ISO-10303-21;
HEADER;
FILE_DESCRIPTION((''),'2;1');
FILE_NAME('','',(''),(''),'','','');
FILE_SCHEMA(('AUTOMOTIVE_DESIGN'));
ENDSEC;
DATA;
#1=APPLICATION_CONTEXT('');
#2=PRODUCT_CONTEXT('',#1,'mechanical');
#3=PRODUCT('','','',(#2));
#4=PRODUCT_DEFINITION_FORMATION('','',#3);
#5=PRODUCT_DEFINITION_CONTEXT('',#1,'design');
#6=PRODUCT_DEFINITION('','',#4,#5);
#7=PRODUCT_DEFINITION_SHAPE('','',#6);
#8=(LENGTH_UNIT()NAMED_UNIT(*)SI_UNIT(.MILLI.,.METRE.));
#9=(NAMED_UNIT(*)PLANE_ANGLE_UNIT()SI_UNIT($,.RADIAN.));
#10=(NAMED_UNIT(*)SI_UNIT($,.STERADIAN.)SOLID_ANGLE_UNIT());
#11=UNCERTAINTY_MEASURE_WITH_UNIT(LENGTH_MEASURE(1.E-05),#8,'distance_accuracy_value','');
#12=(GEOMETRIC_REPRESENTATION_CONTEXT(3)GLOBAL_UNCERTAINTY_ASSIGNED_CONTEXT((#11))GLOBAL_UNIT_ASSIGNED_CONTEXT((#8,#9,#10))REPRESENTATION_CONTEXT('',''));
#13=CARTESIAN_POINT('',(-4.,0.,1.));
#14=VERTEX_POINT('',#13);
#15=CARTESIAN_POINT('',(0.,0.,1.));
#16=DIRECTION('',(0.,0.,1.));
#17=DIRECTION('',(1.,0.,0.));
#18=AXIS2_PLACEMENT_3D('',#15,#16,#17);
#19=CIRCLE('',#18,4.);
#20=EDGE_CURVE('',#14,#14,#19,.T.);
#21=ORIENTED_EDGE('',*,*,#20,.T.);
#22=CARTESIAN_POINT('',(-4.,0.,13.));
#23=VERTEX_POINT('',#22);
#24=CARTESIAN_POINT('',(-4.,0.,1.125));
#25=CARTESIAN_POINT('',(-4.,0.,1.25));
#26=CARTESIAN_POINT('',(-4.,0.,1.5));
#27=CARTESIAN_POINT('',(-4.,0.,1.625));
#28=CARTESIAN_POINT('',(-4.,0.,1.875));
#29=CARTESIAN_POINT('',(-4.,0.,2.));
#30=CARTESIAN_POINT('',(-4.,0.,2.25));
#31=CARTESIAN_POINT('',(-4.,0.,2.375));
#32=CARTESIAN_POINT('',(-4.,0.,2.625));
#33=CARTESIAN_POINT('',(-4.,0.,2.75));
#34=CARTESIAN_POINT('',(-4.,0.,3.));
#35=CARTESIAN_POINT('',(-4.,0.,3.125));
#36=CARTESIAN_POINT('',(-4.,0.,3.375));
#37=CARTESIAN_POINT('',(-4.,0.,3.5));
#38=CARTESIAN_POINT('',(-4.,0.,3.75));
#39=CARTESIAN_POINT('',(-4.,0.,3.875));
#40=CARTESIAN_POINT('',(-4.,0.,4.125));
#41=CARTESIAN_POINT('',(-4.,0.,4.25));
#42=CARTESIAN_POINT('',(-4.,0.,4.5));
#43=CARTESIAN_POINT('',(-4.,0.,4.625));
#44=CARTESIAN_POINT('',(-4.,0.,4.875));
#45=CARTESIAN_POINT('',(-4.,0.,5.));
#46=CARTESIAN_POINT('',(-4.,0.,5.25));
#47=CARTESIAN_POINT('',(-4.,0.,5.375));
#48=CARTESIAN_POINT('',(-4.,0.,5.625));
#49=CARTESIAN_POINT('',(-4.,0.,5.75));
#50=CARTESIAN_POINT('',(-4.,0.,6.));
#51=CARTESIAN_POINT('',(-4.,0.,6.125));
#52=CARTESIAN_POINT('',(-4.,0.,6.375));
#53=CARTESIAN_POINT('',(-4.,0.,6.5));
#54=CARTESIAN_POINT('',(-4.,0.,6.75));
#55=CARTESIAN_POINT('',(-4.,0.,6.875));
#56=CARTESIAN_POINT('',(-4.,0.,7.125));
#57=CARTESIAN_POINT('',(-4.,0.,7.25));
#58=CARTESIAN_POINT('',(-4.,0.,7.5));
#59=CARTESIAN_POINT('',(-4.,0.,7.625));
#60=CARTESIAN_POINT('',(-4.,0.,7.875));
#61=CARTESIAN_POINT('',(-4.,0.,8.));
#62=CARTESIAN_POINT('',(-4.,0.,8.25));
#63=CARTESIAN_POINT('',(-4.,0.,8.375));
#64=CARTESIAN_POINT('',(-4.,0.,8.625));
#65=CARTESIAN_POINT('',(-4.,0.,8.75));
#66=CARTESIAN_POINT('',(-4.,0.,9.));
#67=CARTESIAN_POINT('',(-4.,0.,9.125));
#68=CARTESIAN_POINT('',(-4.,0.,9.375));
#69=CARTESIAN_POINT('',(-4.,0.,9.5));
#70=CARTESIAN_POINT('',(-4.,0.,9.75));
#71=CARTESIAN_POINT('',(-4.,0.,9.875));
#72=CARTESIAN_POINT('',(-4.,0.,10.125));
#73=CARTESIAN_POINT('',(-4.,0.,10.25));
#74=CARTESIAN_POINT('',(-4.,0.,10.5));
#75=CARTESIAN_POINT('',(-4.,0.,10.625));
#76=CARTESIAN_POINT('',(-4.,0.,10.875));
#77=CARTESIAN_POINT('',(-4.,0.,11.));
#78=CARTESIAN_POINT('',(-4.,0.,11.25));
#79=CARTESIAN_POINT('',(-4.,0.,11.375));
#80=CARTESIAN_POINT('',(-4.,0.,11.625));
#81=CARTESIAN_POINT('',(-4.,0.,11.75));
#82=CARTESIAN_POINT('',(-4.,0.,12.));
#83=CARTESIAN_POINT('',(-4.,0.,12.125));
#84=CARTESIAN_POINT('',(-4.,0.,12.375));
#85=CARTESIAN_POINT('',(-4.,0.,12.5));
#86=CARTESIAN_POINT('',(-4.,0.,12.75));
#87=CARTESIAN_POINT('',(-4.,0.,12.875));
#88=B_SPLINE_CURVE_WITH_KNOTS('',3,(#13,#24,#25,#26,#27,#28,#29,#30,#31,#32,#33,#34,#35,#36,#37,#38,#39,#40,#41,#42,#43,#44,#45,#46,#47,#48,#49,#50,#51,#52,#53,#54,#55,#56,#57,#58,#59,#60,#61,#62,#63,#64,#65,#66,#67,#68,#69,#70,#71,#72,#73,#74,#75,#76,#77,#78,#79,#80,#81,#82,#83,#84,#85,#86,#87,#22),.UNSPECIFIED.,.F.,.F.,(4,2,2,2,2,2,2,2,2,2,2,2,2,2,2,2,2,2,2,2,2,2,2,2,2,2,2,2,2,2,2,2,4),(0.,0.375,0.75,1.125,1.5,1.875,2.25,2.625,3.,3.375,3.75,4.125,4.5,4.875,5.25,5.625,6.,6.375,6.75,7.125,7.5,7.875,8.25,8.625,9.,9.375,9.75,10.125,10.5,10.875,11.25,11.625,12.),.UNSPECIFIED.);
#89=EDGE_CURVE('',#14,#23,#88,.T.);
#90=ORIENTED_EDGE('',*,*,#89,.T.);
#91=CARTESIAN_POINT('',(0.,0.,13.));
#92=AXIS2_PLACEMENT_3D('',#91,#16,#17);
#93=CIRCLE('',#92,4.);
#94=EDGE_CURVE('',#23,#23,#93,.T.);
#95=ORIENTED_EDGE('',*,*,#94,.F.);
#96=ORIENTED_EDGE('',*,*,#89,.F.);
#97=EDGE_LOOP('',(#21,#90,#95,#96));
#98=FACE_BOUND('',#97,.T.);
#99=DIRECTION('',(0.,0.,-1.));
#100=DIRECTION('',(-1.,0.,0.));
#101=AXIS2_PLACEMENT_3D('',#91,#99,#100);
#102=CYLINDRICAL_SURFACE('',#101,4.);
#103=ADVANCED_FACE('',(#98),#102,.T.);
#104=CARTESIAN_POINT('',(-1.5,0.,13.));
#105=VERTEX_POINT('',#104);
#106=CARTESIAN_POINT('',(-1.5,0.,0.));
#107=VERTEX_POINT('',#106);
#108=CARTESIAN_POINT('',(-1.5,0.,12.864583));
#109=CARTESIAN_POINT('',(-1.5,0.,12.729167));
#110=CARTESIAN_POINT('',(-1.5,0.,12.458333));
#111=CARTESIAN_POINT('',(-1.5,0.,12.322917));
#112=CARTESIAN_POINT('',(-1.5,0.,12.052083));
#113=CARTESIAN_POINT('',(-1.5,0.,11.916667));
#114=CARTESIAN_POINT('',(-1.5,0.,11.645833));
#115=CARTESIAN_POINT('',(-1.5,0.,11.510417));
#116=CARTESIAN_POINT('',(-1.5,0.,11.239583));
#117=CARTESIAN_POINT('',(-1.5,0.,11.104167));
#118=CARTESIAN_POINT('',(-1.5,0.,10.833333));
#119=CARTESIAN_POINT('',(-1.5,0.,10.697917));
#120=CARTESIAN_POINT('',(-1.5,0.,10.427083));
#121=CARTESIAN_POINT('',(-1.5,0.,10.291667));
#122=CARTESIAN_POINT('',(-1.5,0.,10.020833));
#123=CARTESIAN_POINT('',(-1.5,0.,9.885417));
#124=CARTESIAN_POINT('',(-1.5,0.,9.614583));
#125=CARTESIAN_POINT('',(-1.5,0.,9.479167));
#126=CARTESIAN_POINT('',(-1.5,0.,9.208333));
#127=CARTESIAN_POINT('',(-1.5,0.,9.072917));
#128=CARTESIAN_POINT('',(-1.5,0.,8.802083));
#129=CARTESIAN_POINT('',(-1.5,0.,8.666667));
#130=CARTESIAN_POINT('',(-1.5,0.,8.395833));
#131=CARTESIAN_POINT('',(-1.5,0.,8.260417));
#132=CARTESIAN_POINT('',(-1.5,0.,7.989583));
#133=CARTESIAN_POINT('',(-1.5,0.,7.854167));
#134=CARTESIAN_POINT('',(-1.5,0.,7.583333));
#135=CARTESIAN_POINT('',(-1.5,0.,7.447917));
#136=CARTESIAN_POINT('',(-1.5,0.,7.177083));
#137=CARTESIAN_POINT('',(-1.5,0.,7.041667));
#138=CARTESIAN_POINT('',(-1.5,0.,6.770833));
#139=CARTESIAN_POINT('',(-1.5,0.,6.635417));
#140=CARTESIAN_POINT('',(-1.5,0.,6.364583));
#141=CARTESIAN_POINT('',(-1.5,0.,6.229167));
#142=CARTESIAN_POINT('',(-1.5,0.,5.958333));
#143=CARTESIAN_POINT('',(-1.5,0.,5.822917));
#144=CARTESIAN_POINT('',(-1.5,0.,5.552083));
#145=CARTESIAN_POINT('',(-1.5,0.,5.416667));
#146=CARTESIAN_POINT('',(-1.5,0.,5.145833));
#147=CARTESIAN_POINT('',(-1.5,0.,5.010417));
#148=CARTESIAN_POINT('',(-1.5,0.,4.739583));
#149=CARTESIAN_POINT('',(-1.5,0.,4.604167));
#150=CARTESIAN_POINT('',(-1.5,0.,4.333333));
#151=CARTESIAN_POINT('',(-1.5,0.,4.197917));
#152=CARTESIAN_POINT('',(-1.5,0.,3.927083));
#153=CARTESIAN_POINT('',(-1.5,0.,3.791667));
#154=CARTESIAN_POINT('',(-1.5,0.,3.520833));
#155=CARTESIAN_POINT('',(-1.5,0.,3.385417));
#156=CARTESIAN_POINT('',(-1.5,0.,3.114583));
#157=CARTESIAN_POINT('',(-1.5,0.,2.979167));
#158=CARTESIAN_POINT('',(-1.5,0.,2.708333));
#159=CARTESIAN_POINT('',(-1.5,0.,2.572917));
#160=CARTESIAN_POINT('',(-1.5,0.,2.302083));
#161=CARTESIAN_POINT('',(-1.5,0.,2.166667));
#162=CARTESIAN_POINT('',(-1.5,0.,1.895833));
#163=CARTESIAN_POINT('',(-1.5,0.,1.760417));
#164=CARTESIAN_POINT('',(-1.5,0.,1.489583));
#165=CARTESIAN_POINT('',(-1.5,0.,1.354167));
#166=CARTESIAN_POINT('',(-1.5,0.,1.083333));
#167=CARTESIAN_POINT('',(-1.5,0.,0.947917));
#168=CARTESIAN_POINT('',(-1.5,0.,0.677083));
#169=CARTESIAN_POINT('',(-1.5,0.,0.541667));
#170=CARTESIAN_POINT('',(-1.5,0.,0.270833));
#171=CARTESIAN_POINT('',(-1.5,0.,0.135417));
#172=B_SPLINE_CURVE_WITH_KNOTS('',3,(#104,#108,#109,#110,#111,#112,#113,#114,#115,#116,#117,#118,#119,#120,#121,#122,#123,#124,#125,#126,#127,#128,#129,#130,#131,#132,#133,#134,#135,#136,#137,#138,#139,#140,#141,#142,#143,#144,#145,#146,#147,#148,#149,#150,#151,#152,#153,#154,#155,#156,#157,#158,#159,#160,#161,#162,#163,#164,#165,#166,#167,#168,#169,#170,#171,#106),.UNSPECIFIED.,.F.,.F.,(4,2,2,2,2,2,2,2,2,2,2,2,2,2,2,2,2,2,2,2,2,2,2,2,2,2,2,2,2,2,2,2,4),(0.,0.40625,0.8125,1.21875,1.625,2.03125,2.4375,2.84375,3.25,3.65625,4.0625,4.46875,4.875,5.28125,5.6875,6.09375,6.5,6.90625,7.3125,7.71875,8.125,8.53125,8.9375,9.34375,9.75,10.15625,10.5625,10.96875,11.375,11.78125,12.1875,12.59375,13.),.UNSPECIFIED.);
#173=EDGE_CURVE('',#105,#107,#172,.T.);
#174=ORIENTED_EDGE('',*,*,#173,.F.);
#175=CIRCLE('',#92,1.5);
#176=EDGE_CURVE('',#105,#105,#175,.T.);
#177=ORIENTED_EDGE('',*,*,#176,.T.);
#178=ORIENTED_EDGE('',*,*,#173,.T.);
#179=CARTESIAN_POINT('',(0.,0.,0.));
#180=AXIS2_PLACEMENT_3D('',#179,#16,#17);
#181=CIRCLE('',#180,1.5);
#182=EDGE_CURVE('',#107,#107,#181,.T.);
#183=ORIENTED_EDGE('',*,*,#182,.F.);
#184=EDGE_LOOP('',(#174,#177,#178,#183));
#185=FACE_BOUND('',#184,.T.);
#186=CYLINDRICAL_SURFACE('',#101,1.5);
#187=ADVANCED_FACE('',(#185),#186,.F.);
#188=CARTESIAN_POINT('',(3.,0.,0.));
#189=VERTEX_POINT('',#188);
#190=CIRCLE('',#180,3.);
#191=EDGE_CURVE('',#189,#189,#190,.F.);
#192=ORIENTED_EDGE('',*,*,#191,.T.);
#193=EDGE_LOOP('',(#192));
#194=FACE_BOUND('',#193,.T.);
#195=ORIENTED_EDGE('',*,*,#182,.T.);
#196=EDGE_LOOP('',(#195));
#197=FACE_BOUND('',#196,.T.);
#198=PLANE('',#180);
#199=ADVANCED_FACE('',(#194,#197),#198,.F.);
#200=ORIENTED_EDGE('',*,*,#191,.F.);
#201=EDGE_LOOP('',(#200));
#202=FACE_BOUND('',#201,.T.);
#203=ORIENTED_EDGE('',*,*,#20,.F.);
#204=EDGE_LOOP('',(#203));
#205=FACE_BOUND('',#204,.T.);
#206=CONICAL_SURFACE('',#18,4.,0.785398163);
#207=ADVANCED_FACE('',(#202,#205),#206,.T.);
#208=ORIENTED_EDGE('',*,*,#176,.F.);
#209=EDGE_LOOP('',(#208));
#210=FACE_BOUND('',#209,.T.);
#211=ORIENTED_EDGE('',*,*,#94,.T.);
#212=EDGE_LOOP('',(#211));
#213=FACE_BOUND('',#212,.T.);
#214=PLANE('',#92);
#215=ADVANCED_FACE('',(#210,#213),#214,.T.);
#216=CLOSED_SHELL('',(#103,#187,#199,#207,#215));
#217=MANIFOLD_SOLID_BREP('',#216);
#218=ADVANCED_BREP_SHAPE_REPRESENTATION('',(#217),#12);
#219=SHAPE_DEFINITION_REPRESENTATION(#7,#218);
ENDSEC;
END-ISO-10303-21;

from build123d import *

# Parameters (mm, degrees)
ESQUISSE1_R        = 4
ESQUISSE1_R_2      = 1.5
BOSS_EXTRU_1_DEPTH = 13
CHANFREIN1_SIZE    = 1


with BuildPart() as part:
    # Esquisse1 → Boss.-Extru.1 (new body)
    with BuildSketch(Plane.XY):
        with Locations(Location((0, 0, 0), (0, 0, 180))):
            Circle(ESQUISSE1_R)
        with Locations(Location((0, 0, 0), (0, 0, 180))):
            Circle(ESQUISSE1_R_2, mode=Mode.SUBTRACT)
    extrude(amount=BOSS_EXTRU_1_DEPTH)

    # Chanfrein1
    chanfrein1_edges = [part.edges().sort_by_distance(p)[0] for p in [
        (4, 0, 0),
    ]]
    chamfer(chanfrein1_edges, length=CHANFREIN1_SIZE)


solid = part.part
